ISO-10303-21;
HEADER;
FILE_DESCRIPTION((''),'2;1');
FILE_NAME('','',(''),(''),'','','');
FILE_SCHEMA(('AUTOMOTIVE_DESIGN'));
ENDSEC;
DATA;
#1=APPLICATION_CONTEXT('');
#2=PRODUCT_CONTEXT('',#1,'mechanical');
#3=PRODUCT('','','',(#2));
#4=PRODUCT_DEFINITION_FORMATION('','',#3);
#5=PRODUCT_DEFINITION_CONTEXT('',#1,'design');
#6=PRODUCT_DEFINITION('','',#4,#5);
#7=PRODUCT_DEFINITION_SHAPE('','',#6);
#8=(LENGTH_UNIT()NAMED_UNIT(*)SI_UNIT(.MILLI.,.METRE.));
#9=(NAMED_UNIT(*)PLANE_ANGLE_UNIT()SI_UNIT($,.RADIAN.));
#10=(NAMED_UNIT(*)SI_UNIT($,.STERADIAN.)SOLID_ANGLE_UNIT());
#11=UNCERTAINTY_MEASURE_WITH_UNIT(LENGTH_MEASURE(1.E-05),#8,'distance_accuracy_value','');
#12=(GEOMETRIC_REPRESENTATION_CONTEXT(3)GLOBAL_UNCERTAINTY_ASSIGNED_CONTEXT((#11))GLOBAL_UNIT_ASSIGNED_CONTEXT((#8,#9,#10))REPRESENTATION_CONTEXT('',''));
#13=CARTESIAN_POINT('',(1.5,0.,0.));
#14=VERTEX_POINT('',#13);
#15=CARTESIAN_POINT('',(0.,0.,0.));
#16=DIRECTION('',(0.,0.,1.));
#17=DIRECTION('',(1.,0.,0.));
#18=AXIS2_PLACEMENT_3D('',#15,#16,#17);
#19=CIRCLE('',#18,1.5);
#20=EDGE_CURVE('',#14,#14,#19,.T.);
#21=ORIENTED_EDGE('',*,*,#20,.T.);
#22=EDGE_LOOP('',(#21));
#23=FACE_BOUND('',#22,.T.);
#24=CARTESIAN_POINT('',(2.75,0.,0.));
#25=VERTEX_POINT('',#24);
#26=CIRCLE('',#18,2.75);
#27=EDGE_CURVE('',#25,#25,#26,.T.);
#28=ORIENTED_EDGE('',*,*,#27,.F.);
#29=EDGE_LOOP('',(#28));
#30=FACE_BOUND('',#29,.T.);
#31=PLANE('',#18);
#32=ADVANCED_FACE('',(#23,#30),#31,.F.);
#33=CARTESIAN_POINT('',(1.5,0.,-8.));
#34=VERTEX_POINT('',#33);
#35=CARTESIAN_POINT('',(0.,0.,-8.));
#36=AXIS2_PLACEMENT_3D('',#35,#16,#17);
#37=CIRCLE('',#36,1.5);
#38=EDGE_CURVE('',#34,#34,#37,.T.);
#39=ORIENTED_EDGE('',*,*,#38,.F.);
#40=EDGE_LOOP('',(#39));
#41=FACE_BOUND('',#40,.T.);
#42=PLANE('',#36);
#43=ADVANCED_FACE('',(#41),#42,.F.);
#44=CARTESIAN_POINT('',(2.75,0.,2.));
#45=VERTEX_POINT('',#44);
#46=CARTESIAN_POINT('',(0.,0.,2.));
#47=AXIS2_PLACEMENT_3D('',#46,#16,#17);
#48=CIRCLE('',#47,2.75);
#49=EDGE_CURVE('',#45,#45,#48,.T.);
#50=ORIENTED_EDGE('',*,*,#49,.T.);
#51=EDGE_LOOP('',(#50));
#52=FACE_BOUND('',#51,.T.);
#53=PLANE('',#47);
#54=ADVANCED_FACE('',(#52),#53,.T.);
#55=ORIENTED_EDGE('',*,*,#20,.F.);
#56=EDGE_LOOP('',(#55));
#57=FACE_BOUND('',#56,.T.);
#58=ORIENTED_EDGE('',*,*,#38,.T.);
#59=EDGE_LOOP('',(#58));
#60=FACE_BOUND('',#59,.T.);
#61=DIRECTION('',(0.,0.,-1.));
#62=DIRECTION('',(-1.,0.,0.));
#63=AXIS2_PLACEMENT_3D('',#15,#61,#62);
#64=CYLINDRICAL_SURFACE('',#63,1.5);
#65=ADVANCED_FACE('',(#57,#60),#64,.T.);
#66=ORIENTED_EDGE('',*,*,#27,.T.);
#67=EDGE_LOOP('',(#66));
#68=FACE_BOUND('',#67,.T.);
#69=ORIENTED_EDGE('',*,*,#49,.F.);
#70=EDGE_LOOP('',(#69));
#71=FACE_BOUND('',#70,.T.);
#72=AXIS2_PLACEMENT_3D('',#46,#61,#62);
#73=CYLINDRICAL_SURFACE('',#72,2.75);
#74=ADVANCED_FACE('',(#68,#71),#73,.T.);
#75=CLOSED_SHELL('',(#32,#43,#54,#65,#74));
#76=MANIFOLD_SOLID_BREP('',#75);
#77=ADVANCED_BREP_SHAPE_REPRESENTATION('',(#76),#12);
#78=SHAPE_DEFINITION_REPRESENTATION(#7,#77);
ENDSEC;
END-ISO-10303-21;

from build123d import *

# Parameters (mm, degrees)
SHANK_NOMINAL_THREAD_ENVELOPE_START     = -8
SHANK_NOMINAL_THREAD_ENVELOPE_PROFILE_R = 1.5
SHANK_NOMINAL_THREAD_ENVELOPE_DEPTH     = 8
HEAD_ENVELOPE_D5P5_H2P0_PROFILE_R       = 2.75
HEAD_ENVELOPE_D5P5_H2P0_DEPTH           = 2


with BuildPart() as part:
    # Shank_nominal_thread_envelope_profile → Shank_nominal_thread_envelope (new body)
    with BuildSketch(Plane.XY.offset(SHANK_NOMINAL_THREAD_ENVELOPE_START)):
        Circle(SHANK_NOMINAL_THREAD_ENVELOPE_PROFILE_R)
    extrude(amount=SHANK_NOMINAL_THREAD_ENVELOPE_DEPTH)

    # Head_envelope_D5p5_H2p0_profile → Head_envelope_D5p5_H2p0 (add)
    with BuildSketch(Plane.XY):
        Circle(HEAD_ENVELOPE_D5P5_H2P0_PROFILE_R)
    extrude(amount=HEAD_ENVELOPE_D5P5_H2P0_DEPTH)


solid = part.part
